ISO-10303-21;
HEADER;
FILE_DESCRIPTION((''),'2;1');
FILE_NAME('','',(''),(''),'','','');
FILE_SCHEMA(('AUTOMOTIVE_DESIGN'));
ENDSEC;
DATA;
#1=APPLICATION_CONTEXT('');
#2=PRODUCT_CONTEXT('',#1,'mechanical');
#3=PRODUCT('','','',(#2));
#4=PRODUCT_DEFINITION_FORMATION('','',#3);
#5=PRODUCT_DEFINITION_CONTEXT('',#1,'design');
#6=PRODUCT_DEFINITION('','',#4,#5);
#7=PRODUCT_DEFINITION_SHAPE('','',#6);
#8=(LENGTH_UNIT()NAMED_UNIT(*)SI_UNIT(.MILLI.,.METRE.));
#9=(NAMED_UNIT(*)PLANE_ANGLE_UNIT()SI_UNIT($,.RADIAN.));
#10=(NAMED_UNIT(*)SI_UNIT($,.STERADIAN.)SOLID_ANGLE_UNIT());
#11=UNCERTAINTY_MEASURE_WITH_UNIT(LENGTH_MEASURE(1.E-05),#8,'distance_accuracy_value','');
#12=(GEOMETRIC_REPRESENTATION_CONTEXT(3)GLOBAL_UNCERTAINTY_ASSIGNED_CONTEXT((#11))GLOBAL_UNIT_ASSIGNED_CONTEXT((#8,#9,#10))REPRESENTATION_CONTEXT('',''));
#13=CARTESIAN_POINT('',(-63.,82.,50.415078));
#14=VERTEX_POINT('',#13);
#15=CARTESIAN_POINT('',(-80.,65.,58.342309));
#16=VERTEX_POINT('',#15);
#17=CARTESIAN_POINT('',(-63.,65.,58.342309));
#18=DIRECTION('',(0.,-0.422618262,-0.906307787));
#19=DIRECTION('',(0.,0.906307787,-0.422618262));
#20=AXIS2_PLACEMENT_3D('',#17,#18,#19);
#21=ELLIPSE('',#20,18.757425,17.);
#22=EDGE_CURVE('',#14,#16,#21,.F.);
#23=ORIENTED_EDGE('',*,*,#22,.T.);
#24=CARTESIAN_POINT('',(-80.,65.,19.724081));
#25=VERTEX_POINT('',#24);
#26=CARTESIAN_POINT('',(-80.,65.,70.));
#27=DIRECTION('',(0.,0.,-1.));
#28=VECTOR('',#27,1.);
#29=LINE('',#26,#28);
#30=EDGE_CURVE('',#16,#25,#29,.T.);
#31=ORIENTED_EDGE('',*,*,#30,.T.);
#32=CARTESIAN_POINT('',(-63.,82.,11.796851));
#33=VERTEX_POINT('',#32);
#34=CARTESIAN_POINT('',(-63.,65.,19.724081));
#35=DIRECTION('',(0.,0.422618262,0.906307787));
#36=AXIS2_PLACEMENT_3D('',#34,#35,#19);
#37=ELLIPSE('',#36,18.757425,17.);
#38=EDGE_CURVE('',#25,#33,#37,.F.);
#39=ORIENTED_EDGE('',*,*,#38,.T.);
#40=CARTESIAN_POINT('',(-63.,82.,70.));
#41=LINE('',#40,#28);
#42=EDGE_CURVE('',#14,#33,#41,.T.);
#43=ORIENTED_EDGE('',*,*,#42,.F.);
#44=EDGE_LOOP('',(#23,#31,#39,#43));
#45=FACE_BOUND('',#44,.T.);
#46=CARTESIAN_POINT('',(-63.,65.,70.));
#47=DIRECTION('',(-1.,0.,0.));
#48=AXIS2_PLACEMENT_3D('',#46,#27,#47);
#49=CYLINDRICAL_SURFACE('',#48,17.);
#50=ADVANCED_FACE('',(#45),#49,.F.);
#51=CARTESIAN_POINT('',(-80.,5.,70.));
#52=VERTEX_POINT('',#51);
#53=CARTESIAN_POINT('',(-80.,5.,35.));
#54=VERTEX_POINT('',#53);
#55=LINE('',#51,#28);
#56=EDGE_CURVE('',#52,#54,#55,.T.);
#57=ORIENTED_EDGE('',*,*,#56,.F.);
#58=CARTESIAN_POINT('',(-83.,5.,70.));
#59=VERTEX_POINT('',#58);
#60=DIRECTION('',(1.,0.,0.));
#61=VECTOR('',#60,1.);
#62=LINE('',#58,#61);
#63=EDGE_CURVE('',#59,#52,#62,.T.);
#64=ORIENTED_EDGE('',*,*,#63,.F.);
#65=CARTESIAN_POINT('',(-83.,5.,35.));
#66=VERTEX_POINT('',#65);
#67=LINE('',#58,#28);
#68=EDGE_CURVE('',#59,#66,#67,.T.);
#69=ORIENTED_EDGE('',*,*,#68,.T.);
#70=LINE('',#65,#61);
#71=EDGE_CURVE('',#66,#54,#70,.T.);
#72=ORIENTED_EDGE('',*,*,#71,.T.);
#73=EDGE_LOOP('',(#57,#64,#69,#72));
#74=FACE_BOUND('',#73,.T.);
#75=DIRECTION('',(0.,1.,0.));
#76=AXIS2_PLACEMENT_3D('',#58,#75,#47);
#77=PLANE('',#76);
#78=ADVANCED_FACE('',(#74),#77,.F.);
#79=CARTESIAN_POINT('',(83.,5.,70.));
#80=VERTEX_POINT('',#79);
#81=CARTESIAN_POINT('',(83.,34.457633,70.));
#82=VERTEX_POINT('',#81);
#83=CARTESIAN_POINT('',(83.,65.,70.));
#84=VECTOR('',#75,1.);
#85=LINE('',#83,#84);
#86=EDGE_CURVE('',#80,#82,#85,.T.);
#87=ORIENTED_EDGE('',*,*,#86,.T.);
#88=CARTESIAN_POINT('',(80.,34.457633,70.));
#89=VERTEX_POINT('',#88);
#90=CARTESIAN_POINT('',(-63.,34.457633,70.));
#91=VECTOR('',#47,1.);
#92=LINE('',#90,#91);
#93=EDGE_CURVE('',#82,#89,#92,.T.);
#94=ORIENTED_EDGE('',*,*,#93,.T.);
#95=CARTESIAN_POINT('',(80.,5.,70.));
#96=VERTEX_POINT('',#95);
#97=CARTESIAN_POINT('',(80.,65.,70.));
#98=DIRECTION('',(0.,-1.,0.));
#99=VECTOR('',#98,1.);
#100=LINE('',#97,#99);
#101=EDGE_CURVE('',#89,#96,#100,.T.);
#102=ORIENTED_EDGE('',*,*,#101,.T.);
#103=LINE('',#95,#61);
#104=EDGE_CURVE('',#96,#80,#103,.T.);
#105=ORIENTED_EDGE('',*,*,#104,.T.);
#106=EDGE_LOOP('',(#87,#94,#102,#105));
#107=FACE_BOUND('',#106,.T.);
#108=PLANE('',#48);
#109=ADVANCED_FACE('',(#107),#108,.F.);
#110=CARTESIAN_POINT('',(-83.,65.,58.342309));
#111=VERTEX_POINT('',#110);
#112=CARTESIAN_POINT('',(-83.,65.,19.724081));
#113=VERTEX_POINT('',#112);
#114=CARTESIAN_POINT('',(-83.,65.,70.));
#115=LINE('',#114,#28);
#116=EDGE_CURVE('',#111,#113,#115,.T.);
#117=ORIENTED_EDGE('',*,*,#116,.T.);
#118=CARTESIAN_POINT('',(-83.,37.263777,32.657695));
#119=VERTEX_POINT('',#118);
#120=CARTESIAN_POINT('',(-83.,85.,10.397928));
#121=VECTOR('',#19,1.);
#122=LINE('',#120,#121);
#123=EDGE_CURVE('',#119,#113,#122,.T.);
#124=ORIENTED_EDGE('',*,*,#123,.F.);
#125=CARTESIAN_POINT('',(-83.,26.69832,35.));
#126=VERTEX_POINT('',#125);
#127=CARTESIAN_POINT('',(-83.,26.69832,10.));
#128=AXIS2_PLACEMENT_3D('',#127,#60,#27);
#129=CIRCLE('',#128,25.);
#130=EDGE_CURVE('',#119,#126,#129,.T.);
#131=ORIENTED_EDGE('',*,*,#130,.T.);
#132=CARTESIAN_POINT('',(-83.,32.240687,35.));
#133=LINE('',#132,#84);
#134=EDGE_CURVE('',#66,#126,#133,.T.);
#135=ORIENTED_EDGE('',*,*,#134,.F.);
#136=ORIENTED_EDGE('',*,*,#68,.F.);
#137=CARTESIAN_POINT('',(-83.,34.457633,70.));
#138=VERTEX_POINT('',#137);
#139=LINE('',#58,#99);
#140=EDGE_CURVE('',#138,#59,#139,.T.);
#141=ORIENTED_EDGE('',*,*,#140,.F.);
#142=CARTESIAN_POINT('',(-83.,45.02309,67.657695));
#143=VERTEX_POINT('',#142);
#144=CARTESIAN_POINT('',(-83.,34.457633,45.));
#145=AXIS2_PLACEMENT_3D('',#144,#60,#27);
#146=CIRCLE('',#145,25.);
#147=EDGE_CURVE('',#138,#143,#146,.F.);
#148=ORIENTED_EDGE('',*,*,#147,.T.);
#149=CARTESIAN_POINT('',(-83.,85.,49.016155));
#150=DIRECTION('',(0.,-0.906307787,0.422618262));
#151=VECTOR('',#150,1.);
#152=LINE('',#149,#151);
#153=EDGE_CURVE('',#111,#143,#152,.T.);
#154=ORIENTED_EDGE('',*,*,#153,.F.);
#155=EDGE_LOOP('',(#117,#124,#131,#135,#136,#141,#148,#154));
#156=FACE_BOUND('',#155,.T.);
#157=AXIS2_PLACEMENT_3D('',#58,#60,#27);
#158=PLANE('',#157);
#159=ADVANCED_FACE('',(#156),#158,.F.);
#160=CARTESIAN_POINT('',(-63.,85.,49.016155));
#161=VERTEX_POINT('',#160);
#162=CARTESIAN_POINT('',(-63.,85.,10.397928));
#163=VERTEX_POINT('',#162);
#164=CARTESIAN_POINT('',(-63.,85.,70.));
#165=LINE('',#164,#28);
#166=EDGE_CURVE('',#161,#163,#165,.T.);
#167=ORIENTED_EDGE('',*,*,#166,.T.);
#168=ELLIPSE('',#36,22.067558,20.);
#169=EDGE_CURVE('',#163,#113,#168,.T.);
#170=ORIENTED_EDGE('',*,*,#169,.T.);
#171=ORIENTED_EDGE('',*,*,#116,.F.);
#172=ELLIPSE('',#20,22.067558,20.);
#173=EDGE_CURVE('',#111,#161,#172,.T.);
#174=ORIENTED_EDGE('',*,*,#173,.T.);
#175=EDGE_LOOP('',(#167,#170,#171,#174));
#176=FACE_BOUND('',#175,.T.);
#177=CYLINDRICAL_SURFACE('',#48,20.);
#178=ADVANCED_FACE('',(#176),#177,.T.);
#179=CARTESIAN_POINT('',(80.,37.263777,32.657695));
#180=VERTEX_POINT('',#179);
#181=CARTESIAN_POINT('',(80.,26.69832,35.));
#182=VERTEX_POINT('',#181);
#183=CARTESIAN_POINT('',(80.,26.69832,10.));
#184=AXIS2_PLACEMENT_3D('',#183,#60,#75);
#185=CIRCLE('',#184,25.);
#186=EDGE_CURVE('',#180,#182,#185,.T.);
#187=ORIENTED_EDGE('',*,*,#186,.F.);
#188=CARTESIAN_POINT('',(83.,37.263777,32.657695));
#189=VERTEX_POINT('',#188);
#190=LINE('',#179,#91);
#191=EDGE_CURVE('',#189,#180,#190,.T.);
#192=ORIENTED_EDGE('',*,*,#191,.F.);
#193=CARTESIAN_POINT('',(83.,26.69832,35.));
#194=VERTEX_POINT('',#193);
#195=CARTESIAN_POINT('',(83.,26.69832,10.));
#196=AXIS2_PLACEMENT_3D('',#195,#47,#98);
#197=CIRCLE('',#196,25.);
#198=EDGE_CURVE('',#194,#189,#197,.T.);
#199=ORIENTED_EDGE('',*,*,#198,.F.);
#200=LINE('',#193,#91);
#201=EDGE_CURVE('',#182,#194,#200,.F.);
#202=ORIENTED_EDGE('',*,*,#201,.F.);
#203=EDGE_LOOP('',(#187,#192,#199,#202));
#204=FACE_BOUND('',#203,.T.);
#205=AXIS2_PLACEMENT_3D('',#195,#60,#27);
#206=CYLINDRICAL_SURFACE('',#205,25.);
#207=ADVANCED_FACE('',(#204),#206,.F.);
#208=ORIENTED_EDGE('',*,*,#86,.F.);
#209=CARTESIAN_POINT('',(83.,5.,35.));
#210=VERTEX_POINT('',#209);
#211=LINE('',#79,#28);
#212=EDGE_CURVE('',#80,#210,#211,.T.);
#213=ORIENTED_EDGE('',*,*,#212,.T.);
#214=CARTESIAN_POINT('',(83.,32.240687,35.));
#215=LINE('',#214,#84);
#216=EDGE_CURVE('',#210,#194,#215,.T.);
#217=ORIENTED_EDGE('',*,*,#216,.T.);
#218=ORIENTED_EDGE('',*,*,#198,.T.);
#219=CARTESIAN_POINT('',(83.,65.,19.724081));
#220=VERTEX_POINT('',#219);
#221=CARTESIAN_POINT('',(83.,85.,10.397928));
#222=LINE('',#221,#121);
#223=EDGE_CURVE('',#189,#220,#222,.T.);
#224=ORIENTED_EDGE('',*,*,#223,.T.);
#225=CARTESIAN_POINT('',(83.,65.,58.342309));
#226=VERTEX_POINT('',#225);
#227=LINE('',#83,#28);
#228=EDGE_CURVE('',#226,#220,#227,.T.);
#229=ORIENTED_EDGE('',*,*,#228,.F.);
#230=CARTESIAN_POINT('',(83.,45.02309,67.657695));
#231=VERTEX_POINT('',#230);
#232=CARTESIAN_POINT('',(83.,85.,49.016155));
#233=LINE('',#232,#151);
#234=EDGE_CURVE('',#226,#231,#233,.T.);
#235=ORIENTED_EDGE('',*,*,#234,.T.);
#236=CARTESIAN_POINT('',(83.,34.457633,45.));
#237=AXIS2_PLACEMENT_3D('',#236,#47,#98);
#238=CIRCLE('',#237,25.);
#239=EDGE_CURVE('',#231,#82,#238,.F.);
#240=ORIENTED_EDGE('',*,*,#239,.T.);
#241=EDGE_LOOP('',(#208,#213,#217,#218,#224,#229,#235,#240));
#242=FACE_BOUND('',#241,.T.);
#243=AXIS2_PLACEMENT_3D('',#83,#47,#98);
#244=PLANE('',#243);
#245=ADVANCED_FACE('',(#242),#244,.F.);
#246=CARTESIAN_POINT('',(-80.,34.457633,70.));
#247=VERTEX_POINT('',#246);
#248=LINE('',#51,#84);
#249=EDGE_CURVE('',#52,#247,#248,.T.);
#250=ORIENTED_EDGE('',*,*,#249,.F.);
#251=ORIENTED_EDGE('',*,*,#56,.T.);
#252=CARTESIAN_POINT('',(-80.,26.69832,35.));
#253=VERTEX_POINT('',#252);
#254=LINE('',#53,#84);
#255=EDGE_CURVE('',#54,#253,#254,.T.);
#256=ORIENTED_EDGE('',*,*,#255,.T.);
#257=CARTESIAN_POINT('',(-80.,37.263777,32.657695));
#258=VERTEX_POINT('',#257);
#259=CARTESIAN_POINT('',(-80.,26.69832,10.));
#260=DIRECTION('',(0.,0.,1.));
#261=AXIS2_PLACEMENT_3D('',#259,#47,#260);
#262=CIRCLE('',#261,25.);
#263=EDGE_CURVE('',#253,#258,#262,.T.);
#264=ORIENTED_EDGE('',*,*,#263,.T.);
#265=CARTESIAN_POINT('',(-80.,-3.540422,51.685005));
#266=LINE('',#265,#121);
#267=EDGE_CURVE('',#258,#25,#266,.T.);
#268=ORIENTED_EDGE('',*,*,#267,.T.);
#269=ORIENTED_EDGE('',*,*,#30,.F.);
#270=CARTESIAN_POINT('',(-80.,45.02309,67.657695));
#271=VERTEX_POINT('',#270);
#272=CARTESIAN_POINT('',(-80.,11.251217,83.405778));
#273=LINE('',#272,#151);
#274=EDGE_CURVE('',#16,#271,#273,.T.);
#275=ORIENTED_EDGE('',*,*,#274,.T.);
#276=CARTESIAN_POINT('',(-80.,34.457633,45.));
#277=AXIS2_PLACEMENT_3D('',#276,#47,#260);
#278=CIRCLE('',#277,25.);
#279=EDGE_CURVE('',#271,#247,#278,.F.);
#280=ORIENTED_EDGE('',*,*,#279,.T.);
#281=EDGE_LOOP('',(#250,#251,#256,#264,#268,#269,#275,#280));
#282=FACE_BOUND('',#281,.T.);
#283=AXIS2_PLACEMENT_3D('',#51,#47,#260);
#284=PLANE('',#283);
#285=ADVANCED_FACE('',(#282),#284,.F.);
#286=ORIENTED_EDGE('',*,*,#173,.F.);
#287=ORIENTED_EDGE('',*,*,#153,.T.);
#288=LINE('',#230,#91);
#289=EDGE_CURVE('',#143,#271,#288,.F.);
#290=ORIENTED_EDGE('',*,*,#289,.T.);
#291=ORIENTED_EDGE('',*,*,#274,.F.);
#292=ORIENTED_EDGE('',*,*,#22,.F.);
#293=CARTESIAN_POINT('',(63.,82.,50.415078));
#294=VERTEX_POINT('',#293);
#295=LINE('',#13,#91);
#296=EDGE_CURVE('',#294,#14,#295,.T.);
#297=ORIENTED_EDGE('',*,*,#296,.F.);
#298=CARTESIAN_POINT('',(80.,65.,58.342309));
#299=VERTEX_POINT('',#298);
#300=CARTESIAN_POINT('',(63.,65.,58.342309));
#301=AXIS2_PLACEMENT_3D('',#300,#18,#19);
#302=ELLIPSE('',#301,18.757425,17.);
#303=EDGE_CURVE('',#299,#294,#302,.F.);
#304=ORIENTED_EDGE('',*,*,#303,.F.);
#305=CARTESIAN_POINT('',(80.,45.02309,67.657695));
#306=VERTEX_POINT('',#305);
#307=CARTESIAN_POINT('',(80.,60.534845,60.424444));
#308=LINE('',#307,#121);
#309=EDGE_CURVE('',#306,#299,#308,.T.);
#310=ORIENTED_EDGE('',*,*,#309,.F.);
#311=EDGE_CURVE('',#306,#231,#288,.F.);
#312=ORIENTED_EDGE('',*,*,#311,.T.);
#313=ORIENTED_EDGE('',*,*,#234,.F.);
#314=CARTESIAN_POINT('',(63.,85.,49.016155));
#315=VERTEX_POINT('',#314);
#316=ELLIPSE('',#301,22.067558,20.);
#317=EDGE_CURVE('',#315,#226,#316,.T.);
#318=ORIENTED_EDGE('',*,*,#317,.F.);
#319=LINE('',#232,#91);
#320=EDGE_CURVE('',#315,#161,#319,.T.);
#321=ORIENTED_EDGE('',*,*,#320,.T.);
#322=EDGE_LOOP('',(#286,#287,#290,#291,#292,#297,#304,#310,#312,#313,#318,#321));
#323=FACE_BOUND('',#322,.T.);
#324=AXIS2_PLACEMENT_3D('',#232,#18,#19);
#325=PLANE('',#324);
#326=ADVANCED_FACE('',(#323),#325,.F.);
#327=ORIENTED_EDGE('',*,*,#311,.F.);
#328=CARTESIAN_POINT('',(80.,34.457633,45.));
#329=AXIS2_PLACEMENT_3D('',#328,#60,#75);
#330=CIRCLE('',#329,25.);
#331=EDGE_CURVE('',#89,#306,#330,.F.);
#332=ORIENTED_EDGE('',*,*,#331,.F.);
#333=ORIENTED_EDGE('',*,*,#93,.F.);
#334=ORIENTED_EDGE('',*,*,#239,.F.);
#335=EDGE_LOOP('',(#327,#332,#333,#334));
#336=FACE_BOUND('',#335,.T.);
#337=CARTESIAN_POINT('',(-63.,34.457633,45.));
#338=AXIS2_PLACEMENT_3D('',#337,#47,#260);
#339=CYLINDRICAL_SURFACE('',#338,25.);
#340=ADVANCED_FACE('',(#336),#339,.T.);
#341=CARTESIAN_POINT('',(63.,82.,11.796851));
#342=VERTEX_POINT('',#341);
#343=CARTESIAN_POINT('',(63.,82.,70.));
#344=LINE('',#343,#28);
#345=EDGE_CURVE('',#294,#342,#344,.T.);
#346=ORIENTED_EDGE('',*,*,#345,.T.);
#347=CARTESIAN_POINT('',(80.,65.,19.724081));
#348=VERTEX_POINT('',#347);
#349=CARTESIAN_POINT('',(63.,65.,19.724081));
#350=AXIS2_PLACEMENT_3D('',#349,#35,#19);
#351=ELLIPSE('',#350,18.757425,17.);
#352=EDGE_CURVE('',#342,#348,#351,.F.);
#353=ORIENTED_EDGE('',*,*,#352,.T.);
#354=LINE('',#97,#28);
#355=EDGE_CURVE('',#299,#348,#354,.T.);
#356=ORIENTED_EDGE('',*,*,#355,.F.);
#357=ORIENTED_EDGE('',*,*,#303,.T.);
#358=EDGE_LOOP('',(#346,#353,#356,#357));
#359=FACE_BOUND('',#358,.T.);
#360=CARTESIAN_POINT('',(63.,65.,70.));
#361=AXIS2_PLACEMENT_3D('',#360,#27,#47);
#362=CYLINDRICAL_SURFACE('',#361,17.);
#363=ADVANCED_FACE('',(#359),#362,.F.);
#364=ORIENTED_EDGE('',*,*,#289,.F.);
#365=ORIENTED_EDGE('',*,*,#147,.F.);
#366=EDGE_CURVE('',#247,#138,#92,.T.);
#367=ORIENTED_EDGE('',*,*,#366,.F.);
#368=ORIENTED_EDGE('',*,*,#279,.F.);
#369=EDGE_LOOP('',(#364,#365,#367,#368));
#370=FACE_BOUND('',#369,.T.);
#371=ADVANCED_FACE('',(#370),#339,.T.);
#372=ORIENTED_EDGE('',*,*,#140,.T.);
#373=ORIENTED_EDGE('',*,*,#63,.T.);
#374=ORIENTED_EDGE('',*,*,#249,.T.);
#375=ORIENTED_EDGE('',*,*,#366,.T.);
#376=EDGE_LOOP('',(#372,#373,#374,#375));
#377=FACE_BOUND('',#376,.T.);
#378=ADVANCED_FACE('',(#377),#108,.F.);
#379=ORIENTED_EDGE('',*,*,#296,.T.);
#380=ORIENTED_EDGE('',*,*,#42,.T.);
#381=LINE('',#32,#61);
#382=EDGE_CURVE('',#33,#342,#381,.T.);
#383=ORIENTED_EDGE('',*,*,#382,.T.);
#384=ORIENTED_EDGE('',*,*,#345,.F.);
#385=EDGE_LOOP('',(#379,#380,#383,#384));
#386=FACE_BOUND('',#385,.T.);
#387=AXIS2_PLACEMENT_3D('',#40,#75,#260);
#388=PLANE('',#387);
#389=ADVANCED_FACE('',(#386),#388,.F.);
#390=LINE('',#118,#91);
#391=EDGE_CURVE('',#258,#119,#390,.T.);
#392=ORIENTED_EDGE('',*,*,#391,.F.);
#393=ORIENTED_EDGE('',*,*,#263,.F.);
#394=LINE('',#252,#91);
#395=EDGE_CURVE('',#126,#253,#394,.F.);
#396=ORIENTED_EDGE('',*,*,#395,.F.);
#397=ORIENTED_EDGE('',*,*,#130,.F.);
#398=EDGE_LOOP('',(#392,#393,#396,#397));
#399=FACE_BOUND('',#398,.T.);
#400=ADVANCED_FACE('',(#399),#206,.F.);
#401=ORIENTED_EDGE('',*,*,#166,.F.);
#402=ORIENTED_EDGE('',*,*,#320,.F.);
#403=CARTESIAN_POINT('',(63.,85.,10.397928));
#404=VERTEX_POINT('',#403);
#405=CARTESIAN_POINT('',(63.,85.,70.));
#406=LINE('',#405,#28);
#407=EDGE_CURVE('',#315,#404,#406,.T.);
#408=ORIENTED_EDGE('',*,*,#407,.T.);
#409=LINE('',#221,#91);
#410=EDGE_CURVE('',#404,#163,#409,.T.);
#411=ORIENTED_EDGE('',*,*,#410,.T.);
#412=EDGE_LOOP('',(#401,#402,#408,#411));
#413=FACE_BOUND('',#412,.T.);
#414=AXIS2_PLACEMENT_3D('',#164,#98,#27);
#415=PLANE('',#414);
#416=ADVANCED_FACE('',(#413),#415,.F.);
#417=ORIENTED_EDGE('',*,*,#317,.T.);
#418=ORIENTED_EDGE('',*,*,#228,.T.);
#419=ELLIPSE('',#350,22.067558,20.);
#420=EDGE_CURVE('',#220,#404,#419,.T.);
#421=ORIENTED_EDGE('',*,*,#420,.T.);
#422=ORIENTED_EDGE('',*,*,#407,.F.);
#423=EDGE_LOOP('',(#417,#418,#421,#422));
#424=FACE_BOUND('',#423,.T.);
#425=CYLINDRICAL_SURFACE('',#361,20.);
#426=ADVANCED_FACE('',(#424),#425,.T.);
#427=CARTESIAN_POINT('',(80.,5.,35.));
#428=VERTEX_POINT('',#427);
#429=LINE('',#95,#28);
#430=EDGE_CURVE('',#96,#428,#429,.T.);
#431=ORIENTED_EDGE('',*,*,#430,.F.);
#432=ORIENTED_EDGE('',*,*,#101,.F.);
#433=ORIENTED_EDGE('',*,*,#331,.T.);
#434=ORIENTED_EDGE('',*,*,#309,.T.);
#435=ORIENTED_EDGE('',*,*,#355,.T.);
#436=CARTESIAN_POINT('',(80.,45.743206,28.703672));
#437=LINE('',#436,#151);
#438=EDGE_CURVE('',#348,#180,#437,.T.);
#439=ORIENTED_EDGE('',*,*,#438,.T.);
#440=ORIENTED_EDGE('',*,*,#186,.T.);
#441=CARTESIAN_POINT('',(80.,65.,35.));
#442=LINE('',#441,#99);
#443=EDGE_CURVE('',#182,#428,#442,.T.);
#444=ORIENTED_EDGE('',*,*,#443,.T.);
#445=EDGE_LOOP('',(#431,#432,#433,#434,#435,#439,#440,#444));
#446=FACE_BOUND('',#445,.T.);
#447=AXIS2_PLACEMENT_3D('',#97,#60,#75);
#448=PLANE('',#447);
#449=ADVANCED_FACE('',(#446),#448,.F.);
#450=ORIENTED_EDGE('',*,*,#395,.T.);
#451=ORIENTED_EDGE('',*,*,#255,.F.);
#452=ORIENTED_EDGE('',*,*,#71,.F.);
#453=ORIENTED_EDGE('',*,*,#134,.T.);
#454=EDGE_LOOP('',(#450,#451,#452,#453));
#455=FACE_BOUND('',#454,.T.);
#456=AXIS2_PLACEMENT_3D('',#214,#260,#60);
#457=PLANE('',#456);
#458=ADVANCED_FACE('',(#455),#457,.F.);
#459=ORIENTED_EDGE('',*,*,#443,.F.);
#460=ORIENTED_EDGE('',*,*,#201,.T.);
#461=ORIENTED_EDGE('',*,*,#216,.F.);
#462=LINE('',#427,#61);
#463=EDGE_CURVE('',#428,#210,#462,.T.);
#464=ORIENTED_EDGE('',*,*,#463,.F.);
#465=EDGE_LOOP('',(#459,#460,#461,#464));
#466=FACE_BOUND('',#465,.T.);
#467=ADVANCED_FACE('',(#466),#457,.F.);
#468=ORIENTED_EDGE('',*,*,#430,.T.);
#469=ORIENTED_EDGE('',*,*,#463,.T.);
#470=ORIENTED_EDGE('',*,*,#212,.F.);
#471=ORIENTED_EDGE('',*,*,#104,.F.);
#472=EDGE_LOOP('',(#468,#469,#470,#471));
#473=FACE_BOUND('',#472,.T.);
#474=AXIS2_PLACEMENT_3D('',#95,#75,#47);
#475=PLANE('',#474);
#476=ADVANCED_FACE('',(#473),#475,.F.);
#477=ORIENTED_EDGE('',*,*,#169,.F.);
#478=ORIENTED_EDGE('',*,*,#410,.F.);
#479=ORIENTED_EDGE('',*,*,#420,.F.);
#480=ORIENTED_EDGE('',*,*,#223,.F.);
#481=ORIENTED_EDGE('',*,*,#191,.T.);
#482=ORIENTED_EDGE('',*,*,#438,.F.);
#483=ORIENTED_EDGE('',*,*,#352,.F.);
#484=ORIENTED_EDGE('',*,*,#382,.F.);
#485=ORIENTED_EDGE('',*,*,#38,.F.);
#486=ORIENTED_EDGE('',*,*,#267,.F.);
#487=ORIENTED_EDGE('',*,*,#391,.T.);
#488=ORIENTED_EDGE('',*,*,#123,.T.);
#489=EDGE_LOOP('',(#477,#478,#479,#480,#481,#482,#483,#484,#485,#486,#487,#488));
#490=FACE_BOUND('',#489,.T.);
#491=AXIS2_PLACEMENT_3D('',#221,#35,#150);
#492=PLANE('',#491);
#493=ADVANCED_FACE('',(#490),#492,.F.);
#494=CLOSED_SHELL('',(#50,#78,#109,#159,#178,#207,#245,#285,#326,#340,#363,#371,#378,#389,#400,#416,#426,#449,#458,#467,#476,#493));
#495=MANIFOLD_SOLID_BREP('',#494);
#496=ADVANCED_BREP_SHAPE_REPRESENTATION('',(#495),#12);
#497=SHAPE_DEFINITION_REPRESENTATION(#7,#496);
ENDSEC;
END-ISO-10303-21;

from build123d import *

# Parameters (mm, degrees)
BOSS_EXTRUDE1_DEPTH = 70
CUT_EXTRUDE1_DEPTH  = 200.200903612
FILLET1_R           = 25


with BuildPart() as part:
    # Sketch1 → Boss-Extrude1 (new body)
    with BuildSketch(Plane.XY):
        with BuildLine():
            Line((-83, 5), (-83, 65))
            ThreePointArc((-83, 65), (-77.142135624, 79.142135624), (-63, 85))
            Line((-63, 85), (63, 85))
            ThreePointArc((63, 85), (77.142135624, 79.142135624), (83, 65))
            Line((83, 65), (83, 5))
            Line((83, 5), (80, 5))
            Line((80, 5), (80, 65))
            ThreePointArc((80, 65), (75.02081528, 77.02081528), (63, 82))
            Line((63, 82), (-63, 82))
            ThreePointArc((-63, 82), (-75.02081528, 77.02081528), (-80, 65))
            Line((-80, 65), (-80, 5))
            Line((-80, 5), (-83, 5))
        make_face()
    extrude(amount=BOSS_EXTRUDE1_DEPTH)

    # Sketch2 → Cut-Extrude1 (cut, through all)
    with BuildSketch(Plane.ZY.offset(83)):
        Polygon((49.016155383, 85), (70, 40), (70, 85), align=None)
        Polygon((10.397928219, 85), (35, 32.240686807), (35, 4.870884332), (0, 4.870884332), (0, 85), align=None)
    extrude(amount=-CUT_EXTRUDE1_DEPTH, mode=Mode.SUBTRACT)

    # Fillet1
    fillet1_edges = [part.edges().sort_by_distance(p)[0] for p in [
        (-81.5, 40, 70),
        (81.5, 40, 70),
        (-81.5, 32.240686807, 35),
        (81.5, 32.240686807, 35),
    ]]
    fillet(fillet1_edges, radius=FILLET1_R)


solid = part.part
